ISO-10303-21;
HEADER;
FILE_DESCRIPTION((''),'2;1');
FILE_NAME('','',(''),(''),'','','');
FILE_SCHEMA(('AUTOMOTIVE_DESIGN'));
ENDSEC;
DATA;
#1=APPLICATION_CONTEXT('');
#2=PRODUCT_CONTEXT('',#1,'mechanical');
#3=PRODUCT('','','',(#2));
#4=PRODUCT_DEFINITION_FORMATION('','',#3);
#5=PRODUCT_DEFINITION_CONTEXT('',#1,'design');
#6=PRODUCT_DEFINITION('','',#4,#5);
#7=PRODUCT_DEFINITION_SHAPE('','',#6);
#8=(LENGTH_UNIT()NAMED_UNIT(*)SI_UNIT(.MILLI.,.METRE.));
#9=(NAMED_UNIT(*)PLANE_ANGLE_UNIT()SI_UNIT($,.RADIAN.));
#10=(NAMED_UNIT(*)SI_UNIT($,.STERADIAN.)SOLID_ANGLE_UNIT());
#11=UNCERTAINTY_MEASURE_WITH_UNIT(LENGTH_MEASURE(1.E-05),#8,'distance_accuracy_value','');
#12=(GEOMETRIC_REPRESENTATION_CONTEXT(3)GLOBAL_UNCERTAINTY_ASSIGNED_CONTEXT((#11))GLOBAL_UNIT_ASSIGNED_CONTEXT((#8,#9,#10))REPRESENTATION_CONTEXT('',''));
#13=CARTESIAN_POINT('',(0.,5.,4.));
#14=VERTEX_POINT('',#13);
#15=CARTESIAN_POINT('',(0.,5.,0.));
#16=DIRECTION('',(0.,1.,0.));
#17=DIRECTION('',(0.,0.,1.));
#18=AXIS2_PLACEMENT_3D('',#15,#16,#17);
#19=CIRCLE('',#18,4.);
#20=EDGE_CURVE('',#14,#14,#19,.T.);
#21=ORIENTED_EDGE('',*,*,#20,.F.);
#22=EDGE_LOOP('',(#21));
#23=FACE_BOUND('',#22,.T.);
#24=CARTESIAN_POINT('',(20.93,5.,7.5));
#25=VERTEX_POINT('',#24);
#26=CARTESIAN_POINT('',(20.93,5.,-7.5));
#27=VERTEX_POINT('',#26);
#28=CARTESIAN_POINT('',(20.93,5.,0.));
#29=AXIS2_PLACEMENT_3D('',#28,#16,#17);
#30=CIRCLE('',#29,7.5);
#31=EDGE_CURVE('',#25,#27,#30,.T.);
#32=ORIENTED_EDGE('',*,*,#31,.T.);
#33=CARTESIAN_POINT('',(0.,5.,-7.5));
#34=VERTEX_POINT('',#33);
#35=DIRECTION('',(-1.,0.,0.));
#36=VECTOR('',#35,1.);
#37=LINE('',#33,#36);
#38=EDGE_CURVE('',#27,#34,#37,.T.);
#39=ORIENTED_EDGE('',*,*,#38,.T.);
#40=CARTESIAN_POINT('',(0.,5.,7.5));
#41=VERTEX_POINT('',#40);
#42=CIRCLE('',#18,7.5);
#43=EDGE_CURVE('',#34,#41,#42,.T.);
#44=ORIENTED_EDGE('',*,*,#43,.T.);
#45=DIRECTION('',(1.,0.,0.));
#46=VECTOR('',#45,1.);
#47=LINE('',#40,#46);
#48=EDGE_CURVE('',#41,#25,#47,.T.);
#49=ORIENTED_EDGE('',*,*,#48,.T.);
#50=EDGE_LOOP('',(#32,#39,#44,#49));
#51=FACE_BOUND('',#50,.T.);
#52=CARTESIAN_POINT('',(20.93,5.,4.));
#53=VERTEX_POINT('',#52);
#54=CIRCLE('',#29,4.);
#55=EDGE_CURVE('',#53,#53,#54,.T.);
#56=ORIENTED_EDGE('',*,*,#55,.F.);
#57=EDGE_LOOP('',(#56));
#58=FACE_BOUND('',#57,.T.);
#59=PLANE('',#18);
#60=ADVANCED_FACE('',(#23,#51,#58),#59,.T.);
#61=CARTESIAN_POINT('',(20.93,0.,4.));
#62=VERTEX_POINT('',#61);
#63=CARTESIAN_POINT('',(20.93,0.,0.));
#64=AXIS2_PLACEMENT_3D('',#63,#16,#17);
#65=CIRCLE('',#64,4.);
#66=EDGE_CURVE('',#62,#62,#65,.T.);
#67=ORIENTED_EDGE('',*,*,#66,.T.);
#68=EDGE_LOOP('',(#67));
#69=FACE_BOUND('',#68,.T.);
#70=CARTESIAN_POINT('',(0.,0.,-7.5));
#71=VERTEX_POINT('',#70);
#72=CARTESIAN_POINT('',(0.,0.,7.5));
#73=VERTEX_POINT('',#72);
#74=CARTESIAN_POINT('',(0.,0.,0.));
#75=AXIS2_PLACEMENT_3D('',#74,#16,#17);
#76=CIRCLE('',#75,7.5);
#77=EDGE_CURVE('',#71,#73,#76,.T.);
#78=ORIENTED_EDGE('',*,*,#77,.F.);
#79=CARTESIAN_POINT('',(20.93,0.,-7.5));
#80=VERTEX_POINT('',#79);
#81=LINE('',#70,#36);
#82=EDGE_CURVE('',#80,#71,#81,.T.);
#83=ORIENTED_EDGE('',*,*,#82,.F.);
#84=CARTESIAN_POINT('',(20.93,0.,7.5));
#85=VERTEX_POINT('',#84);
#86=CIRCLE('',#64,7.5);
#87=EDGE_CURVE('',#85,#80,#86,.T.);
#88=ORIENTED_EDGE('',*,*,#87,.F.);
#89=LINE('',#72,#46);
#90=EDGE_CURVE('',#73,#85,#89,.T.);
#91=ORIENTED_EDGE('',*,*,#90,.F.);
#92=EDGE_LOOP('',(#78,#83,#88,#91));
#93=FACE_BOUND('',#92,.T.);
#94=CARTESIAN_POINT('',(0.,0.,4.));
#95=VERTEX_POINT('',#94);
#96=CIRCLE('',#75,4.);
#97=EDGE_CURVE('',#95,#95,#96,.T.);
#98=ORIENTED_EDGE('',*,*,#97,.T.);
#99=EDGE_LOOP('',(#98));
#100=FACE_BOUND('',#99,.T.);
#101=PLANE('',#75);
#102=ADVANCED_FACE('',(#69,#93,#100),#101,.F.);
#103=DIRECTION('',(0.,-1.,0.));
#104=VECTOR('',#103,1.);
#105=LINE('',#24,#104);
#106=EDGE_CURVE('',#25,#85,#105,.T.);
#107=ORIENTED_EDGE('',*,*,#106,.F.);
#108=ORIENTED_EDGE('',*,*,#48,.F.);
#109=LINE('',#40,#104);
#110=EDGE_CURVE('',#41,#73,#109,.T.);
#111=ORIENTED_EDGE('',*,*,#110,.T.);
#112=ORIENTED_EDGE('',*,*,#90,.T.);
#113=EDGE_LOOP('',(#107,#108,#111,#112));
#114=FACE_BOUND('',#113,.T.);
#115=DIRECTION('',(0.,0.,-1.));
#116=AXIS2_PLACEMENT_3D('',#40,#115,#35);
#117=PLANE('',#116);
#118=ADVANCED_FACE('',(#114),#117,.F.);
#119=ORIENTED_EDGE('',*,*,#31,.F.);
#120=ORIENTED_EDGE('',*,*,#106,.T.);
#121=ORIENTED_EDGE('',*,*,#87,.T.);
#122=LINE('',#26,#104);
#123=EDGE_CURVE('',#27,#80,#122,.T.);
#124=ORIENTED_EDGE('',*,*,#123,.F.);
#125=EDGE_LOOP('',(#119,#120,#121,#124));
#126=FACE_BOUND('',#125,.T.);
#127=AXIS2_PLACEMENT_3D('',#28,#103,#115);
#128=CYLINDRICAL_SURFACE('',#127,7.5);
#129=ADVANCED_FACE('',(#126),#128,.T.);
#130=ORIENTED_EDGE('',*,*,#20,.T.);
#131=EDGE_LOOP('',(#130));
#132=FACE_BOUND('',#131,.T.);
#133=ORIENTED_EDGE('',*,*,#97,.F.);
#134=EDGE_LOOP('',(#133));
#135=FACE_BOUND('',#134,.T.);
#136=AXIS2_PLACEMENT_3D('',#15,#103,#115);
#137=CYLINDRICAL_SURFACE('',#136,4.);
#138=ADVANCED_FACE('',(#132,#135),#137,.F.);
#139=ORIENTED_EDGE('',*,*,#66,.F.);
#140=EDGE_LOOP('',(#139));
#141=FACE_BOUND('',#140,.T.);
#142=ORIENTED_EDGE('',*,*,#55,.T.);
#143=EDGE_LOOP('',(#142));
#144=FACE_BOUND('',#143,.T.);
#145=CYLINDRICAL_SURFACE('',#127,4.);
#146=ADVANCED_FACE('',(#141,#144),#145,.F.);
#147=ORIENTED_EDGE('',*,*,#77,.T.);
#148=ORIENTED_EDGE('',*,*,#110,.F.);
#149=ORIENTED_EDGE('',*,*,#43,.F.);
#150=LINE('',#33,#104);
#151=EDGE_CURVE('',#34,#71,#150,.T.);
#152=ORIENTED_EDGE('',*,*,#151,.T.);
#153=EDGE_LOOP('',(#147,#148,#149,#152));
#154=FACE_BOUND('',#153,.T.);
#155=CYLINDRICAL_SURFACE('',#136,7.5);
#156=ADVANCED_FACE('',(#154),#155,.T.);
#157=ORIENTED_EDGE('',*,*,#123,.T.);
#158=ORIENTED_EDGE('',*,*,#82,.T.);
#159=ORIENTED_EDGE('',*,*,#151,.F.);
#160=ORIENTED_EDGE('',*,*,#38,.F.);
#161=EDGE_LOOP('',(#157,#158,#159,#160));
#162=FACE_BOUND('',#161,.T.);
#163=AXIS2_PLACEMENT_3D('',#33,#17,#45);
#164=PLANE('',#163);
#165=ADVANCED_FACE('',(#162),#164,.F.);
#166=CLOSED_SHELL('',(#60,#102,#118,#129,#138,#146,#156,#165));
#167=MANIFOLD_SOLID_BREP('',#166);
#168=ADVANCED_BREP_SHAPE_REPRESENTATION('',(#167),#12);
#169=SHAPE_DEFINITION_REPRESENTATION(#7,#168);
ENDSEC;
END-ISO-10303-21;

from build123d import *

# Parameters (mm, degrees)
SKETCH1_R           = 4
BOSS_EXTRUDE1_DEPTH = 5


with BuildPart() as part:
    # Sketch1 → Boss-Extrude1 (new body)
    with BuildSketch(Plane(origin=(0, 0, 0), x_dir=(1, 0, 0), z_dir=(0, 1, 0))):
        with BuildLine():
            Line((0, 7.5), (20.93, 7.5))
            ThreePointArc((20.93, 7.5), (28.43, 0), (20.93, -7.5))
            Line((20.93, -7.5), (0, -7.5))
            ThreePointArc((0, -7.5), (-7.5, 0), (0, 7.5))
        make_face()
        with Locations((20.93, 0)):
            Circle(SKETCH1_R, mode=Mode.SUBTRACT)
        Circle(SKETCH1_R, mode=Mode.SUBTRACT)
    extrude(amount=BOSS_EXTRUDE1_DEPTH)


solid = part.part
